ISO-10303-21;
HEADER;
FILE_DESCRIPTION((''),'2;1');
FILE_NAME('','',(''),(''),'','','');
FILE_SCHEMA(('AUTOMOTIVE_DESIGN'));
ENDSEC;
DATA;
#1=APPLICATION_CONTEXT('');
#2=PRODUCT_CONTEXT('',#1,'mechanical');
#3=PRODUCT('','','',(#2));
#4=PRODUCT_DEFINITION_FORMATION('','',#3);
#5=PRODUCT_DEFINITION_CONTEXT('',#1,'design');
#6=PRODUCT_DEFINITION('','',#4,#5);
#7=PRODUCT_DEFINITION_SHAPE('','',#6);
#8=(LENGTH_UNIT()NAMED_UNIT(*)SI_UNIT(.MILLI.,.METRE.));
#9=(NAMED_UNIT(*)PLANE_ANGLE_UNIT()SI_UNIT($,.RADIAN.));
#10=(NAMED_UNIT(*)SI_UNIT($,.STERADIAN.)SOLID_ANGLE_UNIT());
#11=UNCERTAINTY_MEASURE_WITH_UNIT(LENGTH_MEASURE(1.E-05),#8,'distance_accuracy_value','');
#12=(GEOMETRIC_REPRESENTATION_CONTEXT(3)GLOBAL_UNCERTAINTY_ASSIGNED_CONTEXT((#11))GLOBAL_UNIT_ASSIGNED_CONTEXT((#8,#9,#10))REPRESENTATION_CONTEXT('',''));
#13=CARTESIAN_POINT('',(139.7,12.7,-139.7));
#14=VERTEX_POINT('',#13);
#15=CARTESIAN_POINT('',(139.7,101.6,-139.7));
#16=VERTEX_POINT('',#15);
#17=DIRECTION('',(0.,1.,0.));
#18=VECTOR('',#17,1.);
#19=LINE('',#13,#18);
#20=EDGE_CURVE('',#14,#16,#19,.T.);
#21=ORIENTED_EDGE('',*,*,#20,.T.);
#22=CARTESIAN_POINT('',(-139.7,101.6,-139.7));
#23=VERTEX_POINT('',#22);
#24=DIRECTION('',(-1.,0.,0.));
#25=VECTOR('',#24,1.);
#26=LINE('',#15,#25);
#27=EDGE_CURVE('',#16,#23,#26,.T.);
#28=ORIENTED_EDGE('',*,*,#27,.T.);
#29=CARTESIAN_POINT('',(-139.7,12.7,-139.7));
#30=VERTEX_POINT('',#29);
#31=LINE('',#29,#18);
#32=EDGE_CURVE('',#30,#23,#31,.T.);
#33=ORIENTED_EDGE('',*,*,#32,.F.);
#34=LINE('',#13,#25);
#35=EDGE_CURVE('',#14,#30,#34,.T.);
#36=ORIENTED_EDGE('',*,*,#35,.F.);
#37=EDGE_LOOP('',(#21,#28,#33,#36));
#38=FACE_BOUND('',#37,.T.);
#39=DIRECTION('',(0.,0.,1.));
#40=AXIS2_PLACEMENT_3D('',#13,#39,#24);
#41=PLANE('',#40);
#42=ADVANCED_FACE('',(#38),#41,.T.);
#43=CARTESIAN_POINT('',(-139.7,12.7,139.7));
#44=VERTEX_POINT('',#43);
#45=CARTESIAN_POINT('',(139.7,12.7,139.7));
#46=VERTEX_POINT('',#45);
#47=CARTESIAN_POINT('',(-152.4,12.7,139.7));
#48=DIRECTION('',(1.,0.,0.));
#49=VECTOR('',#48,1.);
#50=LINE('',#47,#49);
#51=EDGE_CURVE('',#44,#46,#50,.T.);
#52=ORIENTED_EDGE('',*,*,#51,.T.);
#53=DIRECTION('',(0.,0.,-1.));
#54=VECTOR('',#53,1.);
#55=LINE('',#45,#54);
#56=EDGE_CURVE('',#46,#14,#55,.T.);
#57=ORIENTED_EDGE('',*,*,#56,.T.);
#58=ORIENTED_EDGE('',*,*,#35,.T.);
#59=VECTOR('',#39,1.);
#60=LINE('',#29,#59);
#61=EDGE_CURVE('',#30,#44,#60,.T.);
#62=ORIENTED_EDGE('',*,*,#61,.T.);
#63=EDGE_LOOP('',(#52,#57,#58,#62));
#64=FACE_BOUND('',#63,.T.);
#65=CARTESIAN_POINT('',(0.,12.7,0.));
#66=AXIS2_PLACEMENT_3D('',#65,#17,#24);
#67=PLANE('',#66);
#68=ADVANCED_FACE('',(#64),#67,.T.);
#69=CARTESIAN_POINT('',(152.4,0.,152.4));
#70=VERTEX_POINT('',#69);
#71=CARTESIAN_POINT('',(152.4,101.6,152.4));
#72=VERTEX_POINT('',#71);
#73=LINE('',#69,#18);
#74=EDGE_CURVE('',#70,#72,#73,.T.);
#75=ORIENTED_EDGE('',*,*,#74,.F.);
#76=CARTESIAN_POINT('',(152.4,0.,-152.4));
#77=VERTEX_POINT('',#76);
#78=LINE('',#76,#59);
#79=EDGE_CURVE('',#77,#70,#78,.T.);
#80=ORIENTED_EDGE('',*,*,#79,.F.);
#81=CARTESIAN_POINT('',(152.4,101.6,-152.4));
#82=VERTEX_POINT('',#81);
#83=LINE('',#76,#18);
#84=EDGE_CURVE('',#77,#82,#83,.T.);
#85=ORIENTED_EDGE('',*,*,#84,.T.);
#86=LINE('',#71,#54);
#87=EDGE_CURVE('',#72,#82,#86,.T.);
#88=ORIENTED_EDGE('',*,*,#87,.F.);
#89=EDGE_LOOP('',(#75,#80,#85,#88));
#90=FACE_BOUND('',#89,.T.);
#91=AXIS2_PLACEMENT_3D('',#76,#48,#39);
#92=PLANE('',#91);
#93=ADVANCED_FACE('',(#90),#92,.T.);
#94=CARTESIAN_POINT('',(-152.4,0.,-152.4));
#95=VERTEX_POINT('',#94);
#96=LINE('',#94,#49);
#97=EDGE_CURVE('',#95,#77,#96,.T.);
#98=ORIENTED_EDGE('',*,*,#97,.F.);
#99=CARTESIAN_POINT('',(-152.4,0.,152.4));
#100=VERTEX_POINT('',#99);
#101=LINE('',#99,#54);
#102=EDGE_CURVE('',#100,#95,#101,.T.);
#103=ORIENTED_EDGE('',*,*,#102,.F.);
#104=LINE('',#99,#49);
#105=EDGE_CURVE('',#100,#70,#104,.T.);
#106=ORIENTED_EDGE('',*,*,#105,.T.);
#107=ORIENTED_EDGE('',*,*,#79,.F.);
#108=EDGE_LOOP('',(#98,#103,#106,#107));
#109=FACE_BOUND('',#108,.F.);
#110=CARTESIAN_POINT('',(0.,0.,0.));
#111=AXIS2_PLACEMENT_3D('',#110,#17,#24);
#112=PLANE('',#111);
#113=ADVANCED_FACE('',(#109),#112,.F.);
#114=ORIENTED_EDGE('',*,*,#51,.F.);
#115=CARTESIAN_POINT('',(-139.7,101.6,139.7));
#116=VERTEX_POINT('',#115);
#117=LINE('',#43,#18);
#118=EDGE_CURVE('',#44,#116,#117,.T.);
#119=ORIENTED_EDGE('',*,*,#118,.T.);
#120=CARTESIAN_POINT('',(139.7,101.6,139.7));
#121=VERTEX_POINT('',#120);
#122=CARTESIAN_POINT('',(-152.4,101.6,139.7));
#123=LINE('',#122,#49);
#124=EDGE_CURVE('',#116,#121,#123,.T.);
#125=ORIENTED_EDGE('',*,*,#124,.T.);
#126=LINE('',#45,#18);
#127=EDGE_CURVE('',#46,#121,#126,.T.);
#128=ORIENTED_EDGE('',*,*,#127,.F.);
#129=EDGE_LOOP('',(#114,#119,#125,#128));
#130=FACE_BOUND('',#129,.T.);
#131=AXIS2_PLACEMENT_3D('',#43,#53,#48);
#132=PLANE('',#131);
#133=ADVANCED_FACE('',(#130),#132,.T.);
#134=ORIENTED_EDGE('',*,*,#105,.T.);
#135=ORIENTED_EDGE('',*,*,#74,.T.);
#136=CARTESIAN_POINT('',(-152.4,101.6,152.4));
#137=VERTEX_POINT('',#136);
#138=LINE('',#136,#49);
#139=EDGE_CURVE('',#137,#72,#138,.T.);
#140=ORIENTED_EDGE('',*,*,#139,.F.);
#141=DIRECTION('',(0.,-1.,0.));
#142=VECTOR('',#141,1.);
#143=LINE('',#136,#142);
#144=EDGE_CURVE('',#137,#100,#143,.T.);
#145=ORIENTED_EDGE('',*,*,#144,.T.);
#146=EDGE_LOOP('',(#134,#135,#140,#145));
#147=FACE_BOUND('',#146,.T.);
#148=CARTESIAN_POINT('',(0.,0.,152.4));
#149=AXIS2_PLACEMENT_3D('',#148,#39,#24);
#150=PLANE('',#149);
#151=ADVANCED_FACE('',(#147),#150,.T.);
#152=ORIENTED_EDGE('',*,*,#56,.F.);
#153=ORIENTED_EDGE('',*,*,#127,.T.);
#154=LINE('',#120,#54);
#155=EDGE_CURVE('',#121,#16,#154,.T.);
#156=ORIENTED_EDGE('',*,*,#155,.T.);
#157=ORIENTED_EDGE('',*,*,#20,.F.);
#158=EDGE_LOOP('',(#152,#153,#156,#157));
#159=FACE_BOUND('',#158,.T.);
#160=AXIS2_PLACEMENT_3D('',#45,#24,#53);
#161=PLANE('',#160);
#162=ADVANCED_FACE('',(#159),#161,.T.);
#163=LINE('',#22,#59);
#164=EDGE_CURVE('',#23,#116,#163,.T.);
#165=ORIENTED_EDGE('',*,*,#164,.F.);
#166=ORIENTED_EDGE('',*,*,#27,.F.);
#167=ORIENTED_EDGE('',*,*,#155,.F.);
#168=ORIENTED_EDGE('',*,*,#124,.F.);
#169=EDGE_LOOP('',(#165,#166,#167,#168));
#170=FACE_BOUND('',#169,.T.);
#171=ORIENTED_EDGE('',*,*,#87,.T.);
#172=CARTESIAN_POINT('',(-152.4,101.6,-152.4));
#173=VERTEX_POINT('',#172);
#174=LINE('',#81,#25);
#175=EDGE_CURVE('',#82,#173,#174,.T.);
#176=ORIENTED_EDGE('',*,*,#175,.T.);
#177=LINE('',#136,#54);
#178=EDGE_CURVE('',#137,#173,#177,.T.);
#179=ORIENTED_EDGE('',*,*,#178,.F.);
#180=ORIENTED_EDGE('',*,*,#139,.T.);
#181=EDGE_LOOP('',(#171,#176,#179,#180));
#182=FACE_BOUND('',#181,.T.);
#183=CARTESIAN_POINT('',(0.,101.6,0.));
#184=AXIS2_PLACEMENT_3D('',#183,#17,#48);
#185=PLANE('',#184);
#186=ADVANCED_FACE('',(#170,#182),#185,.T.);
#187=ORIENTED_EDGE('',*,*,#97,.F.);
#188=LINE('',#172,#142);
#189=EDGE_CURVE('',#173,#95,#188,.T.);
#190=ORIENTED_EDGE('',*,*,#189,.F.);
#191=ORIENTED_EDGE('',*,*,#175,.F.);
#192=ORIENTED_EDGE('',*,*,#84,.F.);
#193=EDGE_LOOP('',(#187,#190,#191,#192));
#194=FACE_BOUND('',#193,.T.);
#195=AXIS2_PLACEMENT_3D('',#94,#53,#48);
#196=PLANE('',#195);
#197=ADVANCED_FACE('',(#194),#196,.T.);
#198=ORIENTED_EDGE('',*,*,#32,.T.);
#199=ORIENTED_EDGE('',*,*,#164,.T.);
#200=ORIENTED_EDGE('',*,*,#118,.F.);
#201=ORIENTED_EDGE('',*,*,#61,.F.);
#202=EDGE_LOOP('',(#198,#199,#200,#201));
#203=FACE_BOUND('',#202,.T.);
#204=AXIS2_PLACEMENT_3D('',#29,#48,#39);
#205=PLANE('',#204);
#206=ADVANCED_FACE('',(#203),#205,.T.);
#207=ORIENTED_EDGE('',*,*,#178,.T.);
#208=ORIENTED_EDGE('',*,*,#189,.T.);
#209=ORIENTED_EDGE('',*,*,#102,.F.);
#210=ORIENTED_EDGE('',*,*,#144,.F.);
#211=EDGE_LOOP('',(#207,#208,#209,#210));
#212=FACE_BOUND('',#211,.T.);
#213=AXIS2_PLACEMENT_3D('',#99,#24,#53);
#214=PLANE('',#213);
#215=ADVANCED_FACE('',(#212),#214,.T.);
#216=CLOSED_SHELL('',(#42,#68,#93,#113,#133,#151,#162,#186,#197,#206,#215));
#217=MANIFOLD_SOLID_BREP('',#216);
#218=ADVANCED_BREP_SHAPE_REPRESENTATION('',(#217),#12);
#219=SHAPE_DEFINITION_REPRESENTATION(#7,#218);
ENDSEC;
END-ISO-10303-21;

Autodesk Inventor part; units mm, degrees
ref_plane "YZ Plane" through (0, 0, 0) normal (1, 0, 0) x (0, 1, 0)
ref_plane "XZ Plane" through (0, 0, 0) normal (0, 1, 0) x (-1, 0, 0)
ref_plane "XY Plane" through (0, 0, 0) normal (0, 0, 1) x (1, 0, 0)
sketch "Sketch1" plane through (0, 0, 0) normal (0, 1, 0) x (-1, 0, 0)
  line L0 (0, 0) -> (0, 152.4)
  line L1 (0, 152.4) -> (152.4, 152.4)
  line L2 (152.4, 152.4) -> (152.4, -152.4)
  line L3 (152.4, -152.4) -> (-152.4, -152.4)
  line L4 (-152.4, -152.4) -> (-152.4, 152.4)
  line L5 (-152.4, 152.4) -> (0, 152.4)
  dimension "d0" = 152.4
  dimension "d1" = 152.4
  dimension "d2" = 304.8
  dimension "d3" = 90
  dimension "d4" = 304.8
extrude "Extrusion1" add sketch "Sketch1" along normal blind 12.7
sketch "Sketch2" plane through (0, 12.7, 0) normal (0, 1, 0) x (1, 0, 0)
  line L0 (-152.4, -152.4) -> (152.4, -152.4) projected
  line L1 (-152.4, -152.4) -> (-152.4, -139.7)
  line L2 (-152.4, 152.4) -> (-152.4, -152.4) projected
  line L3 (-152.4, -139.7) -> (152.4, -139.7)
  line L4 (152.4, -152.4) -> (152.4, 152.4) projected
  line L5 (152.4, -139.7) -> (139.7, -139.7)
  line L6 (139.7, -139.7) -> (139.7, 139.7)
  line L7 (139.7, 139.7) -> (-139.7, 139.7)
  line L8 (-139.7, 139.7) -> (-139.7, -139.7)
  line L9 (152.4, 152.4) -> (-152.4, 152.4) projected
  point P0 (0, 0)
  dimension "d7" = 12.7
  dimension "d8" = 304.8
  dimension "d9" = 12.7
  dimension "d10" = 279.4
  dimension "d11" = 279.4
  dimension "d12" = 90
  dimension "d13" = 279.4
extrude "Extrusion2" add sketch "Sketch2" along normal blind 88.9 contours L1 L3 L4 L0 | L2 L9 L4 L3 L6 L7 L8
properties part number "Box with dimensions"
